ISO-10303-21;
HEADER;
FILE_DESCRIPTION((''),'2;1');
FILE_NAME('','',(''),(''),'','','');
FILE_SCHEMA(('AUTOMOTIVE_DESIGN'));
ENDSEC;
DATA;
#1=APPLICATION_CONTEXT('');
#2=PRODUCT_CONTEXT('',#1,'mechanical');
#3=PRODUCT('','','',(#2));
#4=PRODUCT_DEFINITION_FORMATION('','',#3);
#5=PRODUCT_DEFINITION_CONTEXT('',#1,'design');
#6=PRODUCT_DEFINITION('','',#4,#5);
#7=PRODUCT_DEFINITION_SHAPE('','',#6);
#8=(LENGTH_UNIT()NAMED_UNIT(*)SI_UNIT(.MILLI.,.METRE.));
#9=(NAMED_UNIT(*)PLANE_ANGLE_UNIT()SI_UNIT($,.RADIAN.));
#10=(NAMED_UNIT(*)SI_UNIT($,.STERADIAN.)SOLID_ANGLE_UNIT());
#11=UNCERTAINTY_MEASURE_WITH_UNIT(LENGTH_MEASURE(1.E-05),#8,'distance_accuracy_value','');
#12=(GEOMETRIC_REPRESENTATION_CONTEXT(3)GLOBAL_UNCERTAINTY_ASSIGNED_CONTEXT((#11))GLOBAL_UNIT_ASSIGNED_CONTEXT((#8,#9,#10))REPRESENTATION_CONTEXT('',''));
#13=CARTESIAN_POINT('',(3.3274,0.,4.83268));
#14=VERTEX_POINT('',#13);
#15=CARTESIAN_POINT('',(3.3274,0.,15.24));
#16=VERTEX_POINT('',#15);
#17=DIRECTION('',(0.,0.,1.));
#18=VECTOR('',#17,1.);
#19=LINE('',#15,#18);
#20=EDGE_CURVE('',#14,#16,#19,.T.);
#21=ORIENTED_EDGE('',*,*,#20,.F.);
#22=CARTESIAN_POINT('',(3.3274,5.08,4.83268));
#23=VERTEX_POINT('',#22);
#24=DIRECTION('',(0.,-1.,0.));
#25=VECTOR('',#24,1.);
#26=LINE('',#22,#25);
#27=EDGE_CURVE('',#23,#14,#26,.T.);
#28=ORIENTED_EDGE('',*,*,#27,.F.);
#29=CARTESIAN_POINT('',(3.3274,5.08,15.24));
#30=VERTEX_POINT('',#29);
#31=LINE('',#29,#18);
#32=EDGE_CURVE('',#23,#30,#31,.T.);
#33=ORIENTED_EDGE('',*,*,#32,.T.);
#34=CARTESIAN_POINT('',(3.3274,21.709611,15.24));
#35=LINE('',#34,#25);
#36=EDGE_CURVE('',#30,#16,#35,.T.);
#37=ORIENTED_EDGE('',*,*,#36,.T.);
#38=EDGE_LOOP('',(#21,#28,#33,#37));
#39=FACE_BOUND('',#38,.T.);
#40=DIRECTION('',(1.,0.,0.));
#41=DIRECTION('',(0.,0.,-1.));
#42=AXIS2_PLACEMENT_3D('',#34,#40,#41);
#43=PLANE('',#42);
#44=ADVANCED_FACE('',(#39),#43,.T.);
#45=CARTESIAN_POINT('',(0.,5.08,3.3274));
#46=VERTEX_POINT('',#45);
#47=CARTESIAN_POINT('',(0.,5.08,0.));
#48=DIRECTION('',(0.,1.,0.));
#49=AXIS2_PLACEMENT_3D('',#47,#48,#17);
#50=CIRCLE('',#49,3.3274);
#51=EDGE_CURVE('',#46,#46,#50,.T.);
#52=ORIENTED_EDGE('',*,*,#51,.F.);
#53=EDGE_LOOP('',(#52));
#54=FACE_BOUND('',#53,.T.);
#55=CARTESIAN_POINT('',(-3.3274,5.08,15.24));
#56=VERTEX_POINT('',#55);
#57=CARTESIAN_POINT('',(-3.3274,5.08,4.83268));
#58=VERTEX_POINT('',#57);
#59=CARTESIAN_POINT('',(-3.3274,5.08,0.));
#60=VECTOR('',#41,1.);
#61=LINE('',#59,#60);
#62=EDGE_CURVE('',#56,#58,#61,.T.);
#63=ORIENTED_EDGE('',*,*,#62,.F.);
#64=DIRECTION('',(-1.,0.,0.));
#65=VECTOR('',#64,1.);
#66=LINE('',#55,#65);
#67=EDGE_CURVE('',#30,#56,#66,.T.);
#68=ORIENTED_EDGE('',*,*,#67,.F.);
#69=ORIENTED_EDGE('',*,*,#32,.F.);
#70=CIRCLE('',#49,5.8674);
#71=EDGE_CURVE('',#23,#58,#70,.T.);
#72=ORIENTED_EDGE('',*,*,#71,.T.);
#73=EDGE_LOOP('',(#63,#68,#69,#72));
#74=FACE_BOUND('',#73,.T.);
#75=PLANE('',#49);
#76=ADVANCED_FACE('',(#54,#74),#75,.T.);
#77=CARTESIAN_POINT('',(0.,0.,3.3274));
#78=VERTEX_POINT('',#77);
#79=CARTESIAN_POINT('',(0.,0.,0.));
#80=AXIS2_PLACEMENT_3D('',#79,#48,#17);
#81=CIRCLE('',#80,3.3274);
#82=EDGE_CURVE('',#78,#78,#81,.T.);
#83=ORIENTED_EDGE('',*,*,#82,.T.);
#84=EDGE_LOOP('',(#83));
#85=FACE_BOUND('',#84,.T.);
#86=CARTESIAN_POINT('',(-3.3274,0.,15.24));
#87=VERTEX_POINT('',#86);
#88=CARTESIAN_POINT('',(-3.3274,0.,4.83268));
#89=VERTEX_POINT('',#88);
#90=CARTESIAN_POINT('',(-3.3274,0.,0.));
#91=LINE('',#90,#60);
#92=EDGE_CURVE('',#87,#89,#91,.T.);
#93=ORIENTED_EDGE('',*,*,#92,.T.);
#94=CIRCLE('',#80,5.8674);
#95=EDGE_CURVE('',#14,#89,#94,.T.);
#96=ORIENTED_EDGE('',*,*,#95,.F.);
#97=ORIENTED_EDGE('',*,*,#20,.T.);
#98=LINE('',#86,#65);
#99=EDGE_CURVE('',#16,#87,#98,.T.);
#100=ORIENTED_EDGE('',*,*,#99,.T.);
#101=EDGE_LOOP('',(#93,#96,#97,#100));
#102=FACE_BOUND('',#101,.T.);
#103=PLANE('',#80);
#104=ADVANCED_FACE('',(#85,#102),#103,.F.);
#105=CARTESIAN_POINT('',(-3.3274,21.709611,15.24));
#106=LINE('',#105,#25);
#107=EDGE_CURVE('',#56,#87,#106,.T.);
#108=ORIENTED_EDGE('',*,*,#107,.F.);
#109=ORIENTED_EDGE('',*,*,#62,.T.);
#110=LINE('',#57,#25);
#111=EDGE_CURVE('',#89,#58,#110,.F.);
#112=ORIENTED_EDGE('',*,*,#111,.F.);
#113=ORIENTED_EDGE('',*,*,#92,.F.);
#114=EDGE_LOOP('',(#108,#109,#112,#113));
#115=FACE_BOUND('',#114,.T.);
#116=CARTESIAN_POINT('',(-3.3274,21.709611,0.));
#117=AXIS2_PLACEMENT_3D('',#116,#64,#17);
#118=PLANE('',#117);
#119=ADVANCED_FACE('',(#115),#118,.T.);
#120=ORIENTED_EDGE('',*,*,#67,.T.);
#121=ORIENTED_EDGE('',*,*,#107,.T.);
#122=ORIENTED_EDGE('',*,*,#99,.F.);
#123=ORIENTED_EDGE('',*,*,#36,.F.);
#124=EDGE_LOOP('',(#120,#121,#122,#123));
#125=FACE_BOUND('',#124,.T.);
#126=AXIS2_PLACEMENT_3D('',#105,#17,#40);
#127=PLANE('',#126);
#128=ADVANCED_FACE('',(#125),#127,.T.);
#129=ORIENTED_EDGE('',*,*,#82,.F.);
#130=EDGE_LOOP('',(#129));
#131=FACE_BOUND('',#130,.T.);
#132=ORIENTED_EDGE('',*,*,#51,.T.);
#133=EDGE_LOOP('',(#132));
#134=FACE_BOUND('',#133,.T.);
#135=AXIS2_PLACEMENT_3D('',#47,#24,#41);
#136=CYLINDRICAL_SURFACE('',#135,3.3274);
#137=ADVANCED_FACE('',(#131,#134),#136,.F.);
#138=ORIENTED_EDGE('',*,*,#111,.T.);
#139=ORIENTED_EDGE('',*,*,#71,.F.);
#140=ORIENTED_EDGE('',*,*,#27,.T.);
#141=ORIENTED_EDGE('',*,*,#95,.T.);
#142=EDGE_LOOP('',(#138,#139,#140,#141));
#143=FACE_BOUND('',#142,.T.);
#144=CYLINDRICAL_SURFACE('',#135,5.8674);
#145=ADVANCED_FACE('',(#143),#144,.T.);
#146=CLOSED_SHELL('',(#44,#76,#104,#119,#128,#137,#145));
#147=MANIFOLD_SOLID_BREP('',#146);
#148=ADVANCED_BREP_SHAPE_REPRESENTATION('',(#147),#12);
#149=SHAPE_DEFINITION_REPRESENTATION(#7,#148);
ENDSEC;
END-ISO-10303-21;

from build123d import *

# Parameters (mm, degrees)
SKETCH1_R           = 5.8674
SKETCH1_R_2         = 3.3274
BOSS_EXTRUDE1_DEPTH = 5.08
BOSS_EXTRUDE2_DEPTH = 5.08


with BuildPart() as part:
    # Sketch1 → Boss-Extrude1 (new body)
    with BuildSketch(Plane(origin=(0, 0, 0), x_dir=(-1, 0, 0), z_dir=(0, 1, 0))):
        with Locations(Location((0, 0, 0), (0, 0, 90))):
            Circle(SKETCH1_R)
        with Locations(Location((0, 0, 0), (0, 0, 90))):
            Circle(SKETCH1_R_2, mode=Mode.SUBTRACT)
    extrude(amount=BOSS_EXTRUDE1_DEPTH)

    # Sketch2 → Boss-Extrude2 (add)
    with BuildSketch(Plane.XZ):
        with BuildLine():
            Line((-3.3274, 0), (-3.3274, 15.24))
            Line((-3.3274, 15.24), (3.3274, 15.24))
            Line((3.3274, 15.24), (3.3274, 0))
            ThreePointArc((3.3274, 0), (0, 3.3274), (-3.3274, 0))
        make_face()
    extrude(amount=-BOSS_EXTRUDE2_DEPTH)


solid = part.part
